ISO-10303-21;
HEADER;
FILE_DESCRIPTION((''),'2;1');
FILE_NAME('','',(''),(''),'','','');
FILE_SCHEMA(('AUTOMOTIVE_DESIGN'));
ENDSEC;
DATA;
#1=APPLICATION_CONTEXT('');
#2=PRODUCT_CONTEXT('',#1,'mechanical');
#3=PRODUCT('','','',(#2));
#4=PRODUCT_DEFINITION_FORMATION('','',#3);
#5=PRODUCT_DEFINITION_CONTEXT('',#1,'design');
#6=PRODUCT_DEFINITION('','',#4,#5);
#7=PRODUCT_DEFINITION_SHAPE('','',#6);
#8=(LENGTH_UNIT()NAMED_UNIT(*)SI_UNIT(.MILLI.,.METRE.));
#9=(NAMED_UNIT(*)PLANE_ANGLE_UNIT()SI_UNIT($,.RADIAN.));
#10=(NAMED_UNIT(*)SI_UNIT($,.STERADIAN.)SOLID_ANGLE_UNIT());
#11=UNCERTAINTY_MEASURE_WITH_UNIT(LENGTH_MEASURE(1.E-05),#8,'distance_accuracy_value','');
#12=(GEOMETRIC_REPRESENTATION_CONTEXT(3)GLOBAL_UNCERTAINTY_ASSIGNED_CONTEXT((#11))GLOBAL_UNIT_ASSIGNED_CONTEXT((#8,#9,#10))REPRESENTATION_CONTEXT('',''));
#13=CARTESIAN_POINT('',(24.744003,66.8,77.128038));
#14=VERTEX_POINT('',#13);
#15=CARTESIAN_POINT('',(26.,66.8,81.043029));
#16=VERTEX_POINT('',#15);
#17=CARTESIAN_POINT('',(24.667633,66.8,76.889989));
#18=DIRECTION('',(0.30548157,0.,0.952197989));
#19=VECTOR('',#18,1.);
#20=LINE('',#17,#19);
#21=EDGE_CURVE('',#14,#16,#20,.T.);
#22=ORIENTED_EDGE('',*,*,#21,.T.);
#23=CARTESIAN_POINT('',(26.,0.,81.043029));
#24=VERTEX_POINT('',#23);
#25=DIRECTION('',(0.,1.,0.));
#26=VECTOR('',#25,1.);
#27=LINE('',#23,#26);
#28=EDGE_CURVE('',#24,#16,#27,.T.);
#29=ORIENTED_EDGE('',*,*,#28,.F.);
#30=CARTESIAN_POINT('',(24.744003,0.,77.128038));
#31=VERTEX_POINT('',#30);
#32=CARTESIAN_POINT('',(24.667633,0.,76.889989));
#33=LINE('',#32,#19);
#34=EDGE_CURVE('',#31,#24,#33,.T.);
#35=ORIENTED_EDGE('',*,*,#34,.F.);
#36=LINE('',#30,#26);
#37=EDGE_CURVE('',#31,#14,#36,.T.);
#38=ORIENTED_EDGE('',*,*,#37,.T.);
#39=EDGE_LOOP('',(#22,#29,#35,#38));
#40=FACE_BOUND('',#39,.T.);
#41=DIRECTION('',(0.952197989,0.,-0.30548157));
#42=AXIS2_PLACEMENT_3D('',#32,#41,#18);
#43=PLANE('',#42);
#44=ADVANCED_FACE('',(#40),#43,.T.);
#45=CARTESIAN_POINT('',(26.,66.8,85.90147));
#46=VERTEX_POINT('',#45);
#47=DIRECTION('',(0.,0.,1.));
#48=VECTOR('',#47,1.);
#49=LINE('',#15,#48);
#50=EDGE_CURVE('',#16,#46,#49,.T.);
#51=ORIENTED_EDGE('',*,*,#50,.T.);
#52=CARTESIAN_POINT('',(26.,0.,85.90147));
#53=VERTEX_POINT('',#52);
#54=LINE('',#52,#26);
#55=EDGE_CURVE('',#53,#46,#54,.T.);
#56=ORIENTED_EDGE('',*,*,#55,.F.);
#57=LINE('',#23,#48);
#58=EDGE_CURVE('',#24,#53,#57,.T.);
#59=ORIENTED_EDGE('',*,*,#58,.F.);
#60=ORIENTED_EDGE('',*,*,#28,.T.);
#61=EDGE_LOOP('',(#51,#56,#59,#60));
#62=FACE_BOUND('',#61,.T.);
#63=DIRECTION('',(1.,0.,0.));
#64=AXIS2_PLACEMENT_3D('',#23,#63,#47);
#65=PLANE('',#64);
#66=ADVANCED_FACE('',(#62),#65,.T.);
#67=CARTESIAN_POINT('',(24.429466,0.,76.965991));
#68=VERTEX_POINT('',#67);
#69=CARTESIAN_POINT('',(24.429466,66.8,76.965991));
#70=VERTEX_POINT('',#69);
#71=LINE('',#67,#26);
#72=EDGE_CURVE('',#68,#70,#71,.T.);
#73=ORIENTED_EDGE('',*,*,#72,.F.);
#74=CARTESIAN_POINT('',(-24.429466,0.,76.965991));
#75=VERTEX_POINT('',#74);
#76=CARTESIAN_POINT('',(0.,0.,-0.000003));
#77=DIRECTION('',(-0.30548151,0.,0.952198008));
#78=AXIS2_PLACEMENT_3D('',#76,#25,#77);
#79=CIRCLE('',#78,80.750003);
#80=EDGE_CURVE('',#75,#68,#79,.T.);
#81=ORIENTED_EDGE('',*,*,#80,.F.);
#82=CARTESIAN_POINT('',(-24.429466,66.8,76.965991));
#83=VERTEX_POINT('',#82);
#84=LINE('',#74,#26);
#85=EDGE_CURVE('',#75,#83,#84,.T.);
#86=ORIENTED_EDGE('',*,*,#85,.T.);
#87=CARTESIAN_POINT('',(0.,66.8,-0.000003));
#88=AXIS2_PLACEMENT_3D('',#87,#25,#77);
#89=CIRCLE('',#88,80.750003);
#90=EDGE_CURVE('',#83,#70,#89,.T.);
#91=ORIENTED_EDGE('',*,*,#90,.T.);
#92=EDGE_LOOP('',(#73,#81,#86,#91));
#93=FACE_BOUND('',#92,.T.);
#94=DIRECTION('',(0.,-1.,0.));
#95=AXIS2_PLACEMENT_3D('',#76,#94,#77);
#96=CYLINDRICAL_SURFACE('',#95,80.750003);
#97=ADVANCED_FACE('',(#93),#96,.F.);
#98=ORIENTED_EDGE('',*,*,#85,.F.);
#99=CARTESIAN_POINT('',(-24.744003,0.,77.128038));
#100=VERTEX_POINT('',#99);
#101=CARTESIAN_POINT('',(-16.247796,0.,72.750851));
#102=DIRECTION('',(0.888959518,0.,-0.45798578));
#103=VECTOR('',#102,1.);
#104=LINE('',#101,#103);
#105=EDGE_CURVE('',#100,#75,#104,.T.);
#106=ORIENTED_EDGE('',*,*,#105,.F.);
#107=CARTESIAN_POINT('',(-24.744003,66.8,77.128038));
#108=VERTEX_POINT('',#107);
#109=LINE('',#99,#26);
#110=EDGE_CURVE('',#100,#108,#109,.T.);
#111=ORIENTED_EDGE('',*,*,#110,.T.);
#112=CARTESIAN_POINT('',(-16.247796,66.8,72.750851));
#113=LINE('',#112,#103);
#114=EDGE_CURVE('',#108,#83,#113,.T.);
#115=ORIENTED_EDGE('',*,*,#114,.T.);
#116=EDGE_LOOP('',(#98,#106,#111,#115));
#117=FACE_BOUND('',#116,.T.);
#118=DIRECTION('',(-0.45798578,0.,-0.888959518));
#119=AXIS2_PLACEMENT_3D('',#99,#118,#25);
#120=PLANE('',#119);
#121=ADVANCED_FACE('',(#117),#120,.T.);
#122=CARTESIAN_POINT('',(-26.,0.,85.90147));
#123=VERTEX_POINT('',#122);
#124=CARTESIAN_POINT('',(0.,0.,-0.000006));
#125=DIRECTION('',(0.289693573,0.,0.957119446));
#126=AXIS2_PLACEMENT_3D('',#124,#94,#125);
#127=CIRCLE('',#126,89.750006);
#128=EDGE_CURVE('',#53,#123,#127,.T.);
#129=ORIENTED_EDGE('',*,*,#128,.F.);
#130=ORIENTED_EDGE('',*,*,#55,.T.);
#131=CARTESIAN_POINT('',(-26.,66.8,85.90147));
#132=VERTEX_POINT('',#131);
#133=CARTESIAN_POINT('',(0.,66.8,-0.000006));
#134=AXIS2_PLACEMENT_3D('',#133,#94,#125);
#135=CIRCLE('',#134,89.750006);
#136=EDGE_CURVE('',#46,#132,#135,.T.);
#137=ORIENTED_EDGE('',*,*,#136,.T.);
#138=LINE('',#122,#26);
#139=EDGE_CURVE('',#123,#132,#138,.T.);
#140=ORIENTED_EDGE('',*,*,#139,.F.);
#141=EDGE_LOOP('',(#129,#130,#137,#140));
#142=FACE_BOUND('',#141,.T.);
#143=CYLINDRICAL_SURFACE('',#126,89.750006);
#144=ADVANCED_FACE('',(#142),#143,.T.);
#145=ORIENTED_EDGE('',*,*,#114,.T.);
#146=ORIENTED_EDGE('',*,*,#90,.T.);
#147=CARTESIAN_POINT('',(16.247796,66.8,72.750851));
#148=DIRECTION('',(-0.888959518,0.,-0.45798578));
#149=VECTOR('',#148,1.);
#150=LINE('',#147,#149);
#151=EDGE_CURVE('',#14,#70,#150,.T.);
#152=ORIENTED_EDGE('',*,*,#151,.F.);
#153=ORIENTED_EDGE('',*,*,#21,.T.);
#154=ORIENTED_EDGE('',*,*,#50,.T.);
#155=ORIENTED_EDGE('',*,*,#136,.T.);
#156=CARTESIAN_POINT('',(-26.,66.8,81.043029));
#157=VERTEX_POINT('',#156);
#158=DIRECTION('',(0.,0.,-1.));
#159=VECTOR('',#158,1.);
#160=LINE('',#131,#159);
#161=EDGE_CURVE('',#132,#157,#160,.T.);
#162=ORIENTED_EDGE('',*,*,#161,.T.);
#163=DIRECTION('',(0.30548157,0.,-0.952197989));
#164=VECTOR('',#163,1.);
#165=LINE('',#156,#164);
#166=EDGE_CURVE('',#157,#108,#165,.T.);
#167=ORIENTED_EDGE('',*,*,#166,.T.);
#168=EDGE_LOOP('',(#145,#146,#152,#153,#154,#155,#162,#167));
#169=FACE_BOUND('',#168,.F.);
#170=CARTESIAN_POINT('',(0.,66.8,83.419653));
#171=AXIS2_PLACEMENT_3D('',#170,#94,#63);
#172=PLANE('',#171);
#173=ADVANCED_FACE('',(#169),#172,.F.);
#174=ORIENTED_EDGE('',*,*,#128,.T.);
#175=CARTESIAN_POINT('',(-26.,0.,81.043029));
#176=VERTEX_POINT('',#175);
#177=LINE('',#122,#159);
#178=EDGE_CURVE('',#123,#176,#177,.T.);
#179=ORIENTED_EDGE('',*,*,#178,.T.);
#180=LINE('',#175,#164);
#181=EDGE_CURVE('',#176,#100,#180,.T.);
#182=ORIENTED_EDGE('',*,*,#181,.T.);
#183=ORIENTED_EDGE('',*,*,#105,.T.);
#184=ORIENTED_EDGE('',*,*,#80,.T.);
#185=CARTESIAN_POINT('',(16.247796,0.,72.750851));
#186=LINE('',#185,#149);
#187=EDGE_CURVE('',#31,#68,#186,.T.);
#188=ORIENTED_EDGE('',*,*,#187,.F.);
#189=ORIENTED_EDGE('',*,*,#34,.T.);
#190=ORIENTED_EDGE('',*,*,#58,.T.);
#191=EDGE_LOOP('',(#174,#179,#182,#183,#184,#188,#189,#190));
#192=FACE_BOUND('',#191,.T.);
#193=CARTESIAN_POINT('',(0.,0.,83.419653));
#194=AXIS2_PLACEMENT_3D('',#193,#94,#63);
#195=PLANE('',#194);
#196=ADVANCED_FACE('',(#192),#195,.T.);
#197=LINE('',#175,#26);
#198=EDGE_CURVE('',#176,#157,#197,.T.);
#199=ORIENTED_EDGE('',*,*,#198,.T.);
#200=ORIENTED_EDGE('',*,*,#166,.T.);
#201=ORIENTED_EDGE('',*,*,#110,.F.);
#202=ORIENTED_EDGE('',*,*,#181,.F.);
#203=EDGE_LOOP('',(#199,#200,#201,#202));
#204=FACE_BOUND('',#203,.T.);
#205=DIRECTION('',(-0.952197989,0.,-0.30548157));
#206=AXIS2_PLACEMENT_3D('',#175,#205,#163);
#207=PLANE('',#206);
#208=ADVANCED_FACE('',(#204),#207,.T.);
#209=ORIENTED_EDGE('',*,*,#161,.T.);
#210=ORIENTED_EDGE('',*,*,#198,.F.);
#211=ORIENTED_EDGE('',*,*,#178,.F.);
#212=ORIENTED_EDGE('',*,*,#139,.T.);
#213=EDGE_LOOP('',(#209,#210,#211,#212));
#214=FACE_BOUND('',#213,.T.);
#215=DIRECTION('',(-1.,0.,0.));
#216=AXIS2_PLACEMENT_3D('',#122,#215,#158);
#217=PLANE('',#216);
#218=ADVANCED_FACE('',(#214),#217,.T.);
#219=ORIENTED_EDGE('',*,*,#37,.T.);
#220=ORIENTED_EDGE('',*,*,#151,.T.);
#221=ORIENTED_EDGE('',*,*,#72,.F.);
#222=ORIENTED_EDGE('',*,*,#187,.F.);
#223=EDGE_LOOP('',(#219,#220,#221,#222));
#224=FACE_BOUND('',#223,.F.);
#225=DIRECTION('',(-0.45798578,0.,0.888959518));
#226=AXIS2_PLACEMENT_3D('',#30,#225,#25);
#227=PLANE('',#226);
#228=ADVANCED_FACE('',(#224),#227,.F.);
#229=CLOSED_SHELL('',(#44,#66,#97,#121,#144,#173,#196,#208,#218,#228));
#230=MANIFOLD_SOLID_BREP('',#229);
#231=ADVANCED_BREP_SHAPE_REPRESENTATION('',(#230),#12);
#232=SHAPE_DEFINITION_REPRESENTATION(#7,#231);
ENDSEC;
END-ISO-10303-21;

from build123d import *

# Parameters (mm, degrees)
F1_DEPTH = 66.8
F2_SIZE  = 0.25


with BuildPart() as f1:
    # F0 (on Front) → F1 (new body)
    with BuildSketch(Plane.XZ):
        with BuildLine():
            Line((24.667633, 76.889989), (26, 81.043029))
            Line((26, 81.043029), (26, 85.90147))
            ThreePointArc((26, 85.90147), (0, 89.75), (-26, 85.90147))
            Line((-26, 85.90147), (-26, 81.043029))
            Line((-26, 81.043029), (-24.667633, 76.889989))
            ThreePointArc((-24.667633, 76.889989), (0, 80.75), (24.667633, 76.889989))
        make_face()
    extrude(amount=-F1_DEPTH)

    # F2
    f2_edges = [f1.edges().sort_by_distance(p)[0] for p in [
        (24.667633, 33.4, 76.889989),
        (-24.667633, 33.4, 76.889989),
    ]]
    chamfer(f2_edges, length=F2_SIZE)


solid = f1.part
